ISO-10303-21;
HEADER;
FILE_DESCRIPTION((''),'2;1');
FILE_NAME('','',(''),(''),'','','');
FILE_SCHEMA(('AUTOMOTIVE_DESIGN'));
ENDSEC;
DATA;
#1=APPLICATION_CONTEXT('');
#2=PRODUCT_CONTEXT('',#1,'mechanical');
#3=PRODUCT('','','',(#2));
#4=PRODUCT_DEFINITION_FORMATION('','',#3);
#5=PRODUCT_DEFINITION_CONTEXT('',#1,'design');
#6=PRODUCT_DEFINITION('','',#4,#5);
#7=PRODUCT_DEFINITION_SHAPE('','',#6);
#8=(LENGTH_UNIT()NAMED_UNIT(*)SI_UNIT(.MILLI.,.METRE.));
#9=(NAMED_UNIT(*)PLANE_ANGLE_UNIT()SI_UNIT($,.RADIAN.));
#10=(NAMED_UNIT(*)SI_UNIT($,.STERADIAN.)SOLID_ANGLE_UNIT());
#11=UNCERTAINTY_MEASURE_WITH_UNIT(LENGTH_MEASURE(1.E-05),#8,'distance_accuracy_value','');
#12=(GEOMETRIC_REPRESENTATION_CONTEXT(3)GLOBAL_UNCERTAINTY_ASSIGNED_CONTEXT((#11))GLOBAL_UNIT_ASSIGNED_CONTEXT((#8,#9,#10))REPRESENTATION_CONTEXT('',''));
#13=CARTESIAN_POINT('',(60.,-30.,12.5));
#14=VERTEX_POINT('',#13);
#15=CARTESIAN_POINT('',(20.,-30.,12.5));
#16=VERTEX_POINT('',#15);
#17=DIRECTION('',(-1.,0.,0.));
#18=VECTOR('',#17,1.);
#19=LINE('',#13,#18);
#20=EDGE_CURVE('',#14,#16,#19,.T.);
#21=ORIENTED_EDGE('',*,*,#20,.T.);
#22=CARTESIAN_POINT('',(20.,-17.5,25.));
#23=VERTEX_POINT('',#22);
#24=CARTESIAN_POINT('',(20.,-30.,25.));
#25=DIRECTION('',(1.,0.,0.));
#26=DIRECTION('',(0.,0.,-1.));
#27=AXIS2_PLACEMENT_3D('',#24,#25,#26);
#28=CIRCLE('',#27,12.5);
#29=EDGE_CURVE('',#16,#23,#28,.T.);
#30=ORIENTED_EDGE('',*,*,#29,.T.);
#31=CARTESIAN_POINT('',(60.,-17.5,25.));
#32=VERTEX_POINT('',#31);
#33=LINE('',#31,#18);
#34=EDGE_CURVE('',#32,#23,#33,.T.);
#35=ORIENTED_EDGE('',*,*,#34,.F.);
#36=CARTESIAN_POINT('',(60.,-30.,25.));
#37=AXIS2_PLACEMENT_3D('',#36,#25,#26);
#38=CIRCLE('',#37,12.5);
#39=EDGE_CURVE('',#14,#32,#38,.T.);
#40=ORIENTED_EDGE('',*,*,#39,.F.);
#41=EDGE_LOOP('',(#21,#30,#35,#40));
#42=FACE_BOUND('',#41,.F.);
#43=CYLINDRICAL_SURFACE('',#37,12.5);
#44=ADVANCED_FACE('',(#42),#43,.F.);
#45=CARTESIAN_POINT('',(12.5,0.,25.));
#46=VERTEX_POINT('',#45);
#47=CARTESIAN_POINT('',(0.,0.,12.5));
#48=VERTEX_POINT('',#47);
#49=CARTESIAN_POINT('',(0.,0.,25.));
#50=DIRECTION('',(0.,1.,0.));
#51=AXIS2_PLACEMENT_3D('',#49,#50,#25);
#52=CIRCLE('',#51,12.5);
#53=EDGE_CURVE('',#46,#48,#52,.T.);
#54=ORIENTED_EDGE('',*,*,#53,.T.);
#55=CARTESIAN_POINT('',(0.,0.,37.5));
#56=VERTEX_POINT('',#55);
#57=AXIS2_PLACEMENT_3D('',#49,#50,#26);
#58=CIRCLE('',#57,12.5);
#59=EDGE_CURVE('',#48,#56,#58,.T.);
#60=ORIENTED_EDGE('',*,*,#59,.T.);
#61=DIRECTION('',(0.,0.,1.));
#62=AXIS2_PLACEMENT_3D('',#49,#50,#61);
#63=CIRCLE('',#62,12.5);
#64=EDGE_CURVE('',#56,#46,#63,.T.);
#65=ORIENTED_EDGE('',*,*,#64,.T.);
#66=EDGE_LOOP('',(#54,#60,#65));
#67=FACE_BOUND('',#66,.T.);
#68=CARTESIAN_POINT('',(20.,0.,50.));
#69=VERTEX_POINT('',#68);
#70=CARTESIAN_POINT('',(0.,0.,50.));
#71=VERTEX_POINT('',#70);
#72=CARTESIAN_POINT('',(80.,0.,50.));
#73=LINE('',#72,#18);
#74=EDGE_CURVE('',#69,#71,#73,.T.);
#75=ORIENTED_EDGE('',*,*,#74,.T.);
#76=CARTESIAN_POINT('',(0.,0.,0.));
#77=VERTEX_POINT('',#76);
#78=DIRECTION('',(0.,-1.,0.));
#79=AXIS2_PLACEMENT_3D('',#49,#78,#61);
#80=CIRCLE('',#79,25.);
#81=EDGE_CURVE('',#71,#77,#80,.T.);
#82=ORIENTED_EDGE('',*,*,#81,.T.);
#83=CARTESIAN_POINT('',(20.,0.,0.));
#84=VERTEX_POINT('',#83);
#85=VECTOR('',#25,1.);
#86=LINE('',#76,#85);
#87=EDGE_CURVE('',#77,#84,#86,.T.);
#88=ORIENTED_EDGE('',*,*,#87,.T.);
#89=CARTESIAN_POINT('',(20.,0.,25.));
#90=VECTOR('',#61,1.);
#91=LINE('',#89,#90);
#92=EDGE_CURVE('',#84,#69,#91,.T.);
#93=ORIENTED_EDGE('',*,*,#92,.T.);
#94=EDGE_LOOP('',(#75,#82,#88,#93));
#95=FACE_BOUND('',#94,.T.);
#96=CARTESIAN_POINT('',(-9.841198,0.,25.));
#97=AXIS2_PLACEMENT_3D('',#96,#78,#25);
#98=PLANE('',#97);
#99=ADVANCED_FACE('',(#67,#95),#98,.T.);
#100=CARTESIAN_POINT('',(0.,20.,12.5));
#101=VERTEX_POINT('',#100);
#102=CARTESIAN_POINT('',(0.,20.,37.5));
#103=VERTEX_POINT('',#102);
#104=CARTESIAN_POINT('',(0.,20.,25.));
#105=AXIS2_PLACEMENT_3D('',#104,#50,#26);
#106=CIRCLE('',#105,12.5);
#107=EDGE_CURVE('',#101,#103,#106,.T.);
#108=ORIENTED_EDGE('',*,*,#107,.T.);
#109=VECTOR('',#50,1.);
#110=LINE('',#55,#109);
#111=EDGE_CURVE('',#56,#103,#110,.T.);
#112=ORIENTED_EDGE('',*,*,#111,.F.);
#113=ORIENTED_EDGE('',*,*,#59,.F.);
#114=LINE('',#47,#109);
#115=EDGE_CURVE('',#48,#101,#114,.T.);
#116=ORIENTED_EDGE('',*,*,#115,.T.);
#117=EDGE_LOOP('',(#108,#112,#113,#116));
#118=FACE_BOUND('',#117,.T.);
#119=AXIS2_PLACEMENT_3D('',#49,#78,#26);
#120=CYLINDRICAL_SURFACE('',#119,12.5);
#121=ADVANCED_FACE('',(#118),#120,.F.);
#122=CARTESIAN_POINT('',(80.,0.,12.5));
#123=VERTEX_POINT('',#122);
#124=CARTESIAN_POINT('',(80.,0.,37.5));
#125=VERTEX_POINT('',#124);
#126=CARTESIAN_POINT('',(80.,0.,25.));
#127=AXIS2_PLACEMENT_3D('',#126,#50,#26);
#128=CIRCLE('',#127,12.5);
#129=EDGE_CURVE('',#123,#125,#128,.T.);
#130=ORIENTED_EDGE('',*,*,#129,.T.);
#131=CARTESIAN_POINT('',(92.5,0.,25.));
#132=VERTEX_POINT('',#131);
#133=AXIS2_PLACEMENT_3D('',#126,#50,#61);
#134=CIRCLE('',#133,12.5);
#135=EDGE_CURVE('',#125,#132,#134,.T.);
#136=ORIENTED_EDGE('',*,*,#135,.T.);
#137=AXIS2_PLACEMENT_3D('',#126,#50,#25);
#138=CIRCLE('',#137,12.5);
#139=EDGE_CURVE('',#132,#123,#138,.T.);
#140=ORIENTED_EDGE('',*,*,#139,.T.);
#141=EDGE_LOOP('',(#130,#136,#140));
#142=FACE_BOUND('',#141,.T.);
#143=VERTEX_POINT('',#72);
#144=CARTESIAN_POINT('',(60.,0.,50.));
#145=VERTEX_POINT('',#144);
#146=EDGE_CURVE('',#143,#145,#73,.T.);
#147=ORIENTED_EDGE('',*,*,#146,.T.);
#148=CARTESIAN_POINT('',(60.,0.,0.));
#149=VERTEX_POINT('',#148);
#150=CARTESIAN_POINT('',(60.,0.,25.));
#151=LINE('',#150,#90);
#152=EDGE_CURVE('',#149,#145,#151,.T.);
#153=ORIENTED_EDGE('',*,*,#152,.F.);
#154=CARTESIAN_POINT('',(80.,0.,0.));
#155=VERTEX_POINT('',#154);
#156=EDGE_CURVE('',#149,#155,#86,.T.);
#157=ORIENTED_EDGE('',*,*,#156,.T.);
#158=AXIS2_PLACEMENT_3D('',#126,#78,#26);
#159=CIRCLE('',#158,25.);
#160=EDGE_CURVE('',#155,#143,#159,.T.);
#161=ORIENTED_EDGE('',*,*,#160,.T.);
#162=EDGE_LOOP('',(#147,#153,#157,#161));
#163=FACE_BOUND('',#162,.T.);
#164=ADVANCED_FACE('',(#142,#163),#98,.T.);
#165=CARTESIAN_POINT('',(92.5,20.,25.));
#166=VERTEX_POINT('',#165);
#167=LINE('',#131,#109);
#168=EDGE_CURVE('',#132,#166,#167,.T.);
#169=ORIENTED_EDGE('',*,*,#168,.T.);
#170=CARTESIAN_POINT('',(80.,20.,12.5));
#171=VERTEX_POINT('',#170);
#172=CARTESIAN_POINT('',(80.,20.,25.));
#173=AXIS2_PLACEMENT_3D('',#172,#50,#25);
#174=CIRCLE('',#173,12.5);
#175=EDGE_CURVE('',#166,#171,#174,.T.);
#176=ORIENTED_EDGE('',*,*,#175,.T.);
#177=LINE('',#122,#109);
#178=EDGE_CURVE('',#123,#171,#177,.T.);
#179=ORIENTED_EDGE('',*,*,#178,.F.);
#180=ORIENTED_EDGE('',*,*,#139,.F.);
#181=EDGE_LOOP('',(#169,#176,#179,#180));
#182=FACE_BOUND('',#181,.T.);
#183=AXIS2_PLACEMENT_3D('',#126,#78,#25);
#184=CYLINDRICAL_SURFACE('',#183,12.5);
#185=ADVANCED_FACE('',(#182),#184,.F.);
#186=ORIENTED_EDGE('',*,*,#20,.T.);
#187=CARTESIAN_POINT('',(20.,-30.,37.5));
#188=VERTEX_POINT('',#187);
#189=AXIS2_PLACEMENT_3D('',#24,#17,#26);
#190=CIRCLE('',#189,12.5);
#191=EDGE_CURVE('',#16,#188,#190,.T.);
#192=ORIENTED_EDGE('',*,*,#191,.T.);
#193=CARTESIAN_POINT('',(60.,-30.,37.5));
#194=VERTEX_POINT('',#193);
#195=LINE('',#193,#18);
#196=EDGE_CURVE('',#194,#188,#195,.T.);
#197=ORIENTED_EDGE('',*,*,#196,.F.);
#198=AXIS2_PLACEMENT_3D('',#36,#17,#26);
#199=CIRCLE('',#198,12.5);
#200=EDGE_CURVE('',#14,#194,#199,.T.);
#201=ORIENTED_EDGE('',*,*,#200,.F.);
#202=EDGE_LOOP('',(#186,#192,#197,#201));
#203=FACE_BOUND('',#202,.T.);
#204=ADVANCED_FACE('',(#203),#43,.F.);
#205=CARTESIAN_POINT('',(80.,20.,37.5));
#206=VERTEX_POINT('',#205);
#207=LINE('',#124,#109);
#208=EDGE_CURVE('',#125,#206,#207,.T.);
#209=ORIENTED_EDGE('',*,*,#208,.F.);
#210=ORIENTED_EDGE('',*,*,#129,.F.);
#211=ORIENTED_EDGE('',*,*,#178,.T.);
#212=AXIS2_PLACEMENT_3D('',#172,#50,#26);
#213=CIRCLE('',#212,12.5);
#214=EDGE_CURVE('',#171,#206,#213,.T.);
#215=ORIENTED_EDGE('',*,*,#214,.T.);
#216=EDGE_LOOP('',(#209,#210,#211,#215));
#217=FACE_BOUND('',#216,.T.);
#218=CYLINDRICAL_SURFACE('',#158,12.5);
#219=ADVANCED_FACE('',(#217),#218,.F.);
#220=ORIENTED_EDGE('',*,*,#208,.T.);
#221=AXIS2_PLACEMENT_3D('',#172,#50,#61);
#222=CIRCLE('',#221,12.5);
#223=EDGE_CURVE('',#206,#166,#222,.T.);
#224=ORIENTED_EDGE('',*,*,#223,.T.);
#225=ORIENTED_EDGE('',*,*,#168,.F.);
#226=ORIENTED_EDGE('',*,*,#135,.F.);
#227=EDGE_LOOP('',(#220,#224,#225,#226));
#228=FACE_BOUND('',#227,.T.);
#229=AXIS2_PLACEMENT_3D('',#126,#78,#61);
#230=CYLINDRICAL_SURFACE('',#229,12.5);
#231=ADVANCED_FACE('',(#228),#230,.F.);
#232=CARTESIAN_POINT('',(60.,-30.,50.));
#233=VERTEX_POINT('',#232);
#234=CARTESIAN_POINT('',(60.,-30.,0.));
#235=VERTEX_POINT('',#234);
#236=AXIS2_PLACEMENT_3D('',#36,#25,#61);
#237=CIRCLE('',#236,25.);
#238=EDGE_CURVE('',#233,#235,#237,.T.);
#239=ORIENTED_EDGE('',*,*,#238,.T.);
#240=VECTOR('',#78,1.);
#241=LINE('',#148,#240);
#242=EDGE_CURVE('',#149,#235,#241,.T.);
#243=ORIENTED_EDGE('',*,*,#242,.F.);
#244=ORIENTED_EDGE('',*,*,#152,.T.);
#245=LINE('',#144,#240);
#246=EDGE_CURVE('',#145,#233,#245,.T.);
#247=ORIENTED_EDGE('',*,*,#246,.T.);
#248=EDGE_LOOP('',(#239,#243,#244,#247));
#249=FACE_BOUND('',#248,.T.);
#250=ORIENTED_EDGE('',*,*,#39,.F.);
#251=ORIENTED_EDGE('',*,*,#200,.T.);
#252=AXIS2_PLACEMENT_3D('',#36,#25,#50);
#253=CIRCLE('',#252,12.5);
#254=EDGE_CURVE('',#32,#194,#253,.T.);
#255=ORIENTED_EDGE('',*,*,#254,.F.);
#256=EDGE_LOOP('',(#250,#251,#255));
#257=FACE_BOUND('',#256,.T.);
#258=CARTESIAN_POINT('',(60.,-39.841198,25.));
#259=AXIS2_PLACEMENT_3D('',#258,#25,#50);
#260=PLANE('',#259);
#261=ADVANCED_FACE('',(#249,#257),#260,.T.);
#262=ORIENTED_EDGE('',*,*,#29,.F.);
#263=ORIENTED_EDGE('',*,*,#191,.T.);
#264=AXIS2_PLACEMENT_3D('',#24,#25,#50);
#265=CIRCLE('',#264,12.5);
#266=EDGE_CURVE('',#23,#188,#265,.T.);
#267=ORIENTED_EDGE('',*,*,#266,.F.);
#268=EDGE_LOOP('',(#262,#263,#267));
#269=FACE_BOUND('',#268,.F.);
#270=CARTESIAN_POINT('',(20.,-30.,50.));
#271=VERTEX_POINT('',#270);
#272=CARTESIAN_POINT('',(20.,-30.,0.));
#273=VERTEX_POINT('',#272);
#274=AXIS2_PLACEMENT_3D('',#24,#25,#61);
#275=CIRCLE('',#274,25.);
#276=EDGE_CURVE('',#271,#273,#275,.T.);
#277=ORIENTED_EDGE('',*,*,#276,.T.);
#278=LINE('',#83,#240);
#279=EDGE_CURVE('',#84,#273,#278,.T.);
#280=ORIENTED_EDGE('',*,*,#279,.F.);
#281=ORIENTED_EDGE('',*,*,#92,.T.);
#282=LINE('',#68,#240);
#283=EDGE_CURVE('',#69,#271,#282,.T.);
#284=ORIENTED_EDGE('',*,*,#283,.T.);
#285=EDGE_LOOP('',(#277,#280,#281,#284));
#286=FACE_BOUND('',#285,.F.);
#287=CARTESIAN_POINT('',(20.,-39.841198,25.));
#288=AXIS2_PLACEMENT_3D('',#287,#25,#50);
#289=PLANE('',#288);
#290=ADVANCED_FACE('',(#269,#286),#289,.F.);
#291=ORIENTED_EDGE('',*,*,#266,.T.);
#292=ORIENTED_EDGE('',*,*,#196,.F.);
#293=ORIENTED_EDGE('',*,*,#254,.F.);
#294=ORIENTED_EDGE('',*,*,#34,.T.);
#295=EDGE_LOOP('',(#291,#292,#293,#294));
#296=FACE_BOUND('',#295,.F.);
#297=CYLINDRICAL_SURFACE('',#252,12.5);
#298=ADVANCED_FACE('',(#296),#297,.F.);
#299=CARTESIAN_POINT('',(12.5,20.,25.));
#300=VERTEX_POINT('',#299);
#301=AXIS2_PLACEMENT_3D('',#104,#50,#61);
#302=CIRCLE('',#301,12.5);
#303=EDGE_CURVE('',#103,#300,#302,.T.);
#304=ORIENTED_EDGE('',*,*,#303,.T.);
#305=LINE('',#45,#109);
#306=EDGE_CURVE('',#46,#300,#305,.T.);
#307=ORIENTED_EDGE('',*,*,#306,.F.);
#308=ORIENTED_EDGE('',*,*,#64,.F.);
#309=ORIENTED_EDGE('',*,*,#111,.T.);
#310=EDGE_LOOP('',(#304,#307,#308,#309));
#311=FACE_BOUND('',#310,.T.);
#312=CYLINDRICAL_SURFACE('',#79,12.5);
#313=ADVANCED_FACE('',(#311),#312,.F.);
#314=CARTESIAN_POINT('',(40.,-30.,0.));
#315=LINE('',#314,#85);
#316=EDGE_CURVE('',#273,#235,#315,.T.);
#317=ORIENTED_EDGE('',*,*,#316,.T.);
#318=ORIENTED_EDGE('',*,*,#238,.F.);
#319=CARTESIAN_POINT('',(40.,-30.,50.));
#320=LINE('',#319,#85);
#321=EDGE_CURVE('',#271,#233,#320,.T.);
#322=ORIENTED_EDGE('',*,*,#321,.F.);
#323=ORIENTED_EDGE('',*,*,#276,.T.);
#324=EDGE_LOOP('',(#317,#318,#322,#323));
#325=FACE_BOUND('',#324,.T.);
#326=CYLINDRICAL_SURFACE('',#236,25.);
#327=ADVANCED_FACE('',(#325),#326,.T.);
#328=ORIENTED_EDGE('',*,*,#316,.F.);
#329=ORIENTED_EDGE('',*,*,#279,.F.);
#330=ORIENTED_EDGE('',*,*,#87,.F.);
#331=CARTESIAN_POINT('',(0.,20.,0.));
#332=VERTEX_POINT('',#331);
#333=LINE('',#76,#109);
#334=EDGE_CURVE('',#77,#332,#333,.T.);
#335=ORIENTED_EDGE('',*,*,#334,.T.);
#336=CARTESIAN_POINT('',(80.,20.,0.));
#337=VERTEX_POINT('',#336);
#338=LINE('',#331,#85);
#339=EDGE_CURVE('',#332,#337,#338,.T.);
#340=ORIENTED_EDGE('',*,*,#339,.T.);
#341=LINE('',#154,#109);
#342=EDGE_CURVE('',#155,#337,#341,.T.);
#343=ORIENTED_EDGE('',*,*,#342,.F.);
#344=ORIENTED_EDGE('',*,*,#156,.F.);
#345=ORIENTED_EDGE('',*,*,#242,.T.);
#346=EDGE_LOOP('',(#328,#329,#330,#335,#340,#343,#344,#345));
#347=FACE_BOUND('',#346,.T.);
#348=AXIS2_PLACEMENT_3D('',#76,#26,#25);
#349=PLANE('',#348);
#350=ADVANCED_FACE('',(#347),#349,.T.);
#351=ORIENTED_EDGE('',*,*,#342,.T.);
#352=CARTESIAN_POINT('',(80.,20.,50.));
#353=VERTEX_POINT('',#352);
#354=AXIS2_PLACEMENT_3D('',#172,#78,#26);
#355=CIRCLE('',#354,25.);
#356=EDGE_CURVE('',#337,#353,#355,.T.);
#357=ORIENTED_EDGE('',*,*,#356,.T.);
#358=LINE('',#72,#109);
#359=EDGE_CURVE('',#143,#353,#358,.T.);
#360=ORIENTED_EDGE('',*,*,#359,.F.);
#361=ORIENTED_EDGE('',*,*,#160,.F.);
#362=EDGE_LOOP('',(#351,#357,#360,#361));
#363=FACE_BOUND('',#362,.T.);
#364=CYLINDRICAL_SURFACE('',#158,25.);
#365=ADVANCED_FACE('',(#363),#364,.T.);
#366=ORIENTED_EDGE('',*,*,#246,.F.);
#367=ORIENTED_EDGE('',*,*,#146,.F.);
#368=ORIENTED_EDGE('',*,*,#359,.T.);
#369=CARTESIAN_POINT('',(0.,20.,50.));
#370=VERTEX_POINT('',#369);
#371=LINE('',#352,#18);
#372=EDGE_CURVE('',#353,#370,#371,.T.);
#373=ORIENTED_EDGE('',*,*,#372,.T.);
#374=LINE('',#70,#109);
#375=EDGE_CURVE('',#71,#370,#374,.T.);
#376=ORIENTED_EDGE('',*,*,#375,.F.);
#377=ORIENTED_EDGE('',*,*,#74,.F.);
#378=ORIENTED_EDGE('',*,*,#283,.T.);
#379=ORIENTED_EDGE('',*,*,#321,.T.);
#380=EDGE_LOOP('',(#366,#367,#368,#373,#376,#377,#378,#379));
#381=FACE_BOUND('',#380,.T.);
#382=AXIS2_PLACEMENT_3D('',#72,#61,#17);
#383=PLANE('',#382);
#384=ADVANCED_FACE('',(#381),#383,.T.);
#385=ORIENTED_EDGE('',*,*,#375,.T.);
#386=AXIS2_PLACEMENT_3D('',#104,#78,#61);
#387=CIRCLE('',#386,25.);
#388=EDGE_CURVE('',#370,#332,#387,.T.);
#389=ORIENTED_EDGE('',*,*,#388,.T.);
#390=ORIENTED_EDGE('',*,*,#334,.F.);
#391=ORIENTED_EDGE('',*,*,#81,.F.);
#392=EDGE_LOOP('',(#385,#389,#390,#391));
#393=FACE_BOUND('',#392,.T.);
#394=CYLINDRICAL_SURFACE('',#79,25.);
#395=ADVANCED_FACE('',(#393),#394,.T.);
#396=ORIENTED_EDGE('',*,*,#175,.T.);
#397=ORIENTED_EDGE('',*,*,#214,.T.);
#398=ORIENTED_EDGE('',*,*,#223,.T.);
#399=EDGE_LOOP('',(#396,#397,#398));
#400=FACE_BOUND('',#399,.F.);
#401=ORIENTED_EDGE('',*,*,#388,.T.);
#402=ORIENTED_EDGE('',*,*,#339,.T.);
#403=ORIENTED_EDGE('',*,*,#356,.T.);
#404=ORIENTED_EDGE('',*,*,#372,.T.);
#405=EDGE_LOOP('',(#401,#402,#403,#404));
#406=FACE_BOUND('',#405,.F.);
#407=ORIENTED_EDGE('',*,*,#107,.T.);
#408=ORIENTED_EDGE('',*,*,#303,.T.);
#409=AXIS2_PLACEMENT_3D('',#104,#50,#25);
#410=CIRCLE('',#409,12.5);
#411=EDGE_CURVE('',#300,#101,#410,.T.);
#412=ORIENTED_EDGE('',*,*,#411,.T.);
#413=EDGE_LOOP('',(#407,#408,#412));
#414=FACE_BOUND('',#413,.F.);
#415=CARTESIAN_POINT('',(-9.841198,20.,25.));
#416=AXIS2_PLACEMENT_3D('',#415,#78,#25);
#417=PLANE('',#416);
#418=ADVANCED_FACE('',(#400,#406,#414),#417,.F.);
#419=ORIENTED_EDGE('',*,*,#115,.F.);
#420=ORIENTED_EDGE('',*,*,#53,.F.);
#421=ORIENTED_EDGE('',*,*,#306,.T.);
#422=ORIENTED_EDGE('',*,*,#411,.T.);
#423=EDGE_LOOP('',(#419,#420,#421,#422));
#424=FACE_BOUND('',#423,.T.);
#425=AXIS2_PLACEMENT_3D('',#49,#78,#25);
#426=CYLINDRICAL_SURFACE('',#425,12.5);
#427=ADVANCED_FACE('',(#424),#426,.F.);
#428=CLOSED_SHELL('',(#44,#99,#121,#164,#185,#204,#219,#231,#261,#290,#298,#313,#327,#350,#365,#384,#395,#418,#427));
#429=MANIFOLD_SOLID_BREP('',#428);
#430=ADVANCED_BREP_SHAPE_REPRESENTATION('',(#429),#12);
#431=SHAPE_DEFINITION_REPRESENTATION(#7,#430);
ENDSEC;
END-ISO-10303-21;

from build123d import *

# Parameters (mm, degrees)
F0_W     = 40
F0_H     = 50
F1_DEPTH = 20
F2_DEPTH = 30
F4_DEPTH = 40
F5_DEPTH = 40


with BuildPart() as f1:
    # F0 (on Front) → F1 (new body)
    with BuildSketch(Plane.XZ):
        with BuildLine():
            ThreePointArc((0, 50), (-25, 25), (0, 0))
            Line((0, 0), (0, 12.5))
            ThreePointArc((0, 12.5), (-12.5, 25), (0, 37.5))
            Line((0, 37.5), (0, 50))
        make_face()
        with BuildLine():
            Line((0, 12.5), (0, 0))
            Line((0, 0), (20, 0))
            Line((20, 0), (20, 50))
            Line((20, 50), (0, 50))
            Line((0, 50), (0, 37.5))
            ThreePointArc((0, 37.5), (8.8388347648, 33.8388347648), (12.5, 25))
            ThreePointArc((12.5, 25), (8.8388347648, 16.1611652352), (0, 12.5))
        make_face()
        with Locations((40, 25)):
            Rectangle(F0_W, F0_H)
        with BuildLine():
            Line((60, 50), (60, 0))
            Line((60, 0), (80, 0))
            Line((80, 0), (80, 12.5))
            ThreePointArc((80, 12.5), (67.5, 25), (80, 37.5))
            Line((80, 37.5), (80, 50))
            Line((80, 50), (60, 50))
        make_face()
        with BuildLine():
            Line((80, 12.5), (80, 0))
            ThreePointArc((80, 0), (105, 25), (80, 50))
            Line((80, 50), (80, 37.5))
            ThreePointArc((80, 37.5), (88.8388347648, 33.8388347648), (92.5, 25))
            ThreePointArc((92.5, 25), (88.8388347648, 16.1611652352), (80, 12.5))
        make_face()
    extrude(amount=-F1_DEPTH)

    # F0 (on Front) → F2 (join)
    with BuildSketch(Plane.XZ):
        with Locations((40, 25)):
            Rectangle(F0_W, F0_H)
    extrude(amount=F2_DEPTH)

    # F3 (on face) → F4 (join)
    with BuildSketch(Plane.YZ.offset(60)):
        with BuildLine():
            Line((-30, 37.5), (-30, 50))
            ThreePointArc((-30, 50), (-55, 25), (-30, 0))
            Line((-30, 0), (-30, 12.5))
            ThreePointArc((-30, 12.5), (-42.5, 25), (-30, 37.5))
        make_face()
    extrude(amount=-F4_DEPTH)

    # F3 (on face) → F5 (cut)
    with BuildSketch(Plane.YZ.offset(60)):
        with BuildLine():
            ThreePointArc((-17.5, 25), (-21.1611652352, 33.8388347648), (-30, 37.5))
            Line((-30, 37.5), (-30, 12.5))
            ThreePointArc((-30, 12.5), (-21.1611652352, 16.1611652352), (-17.5, 25))
        make_face()
    extrude(amount=-F5_DEPTH, mode=Mode.SUBTRACT)


solid = f1.part
